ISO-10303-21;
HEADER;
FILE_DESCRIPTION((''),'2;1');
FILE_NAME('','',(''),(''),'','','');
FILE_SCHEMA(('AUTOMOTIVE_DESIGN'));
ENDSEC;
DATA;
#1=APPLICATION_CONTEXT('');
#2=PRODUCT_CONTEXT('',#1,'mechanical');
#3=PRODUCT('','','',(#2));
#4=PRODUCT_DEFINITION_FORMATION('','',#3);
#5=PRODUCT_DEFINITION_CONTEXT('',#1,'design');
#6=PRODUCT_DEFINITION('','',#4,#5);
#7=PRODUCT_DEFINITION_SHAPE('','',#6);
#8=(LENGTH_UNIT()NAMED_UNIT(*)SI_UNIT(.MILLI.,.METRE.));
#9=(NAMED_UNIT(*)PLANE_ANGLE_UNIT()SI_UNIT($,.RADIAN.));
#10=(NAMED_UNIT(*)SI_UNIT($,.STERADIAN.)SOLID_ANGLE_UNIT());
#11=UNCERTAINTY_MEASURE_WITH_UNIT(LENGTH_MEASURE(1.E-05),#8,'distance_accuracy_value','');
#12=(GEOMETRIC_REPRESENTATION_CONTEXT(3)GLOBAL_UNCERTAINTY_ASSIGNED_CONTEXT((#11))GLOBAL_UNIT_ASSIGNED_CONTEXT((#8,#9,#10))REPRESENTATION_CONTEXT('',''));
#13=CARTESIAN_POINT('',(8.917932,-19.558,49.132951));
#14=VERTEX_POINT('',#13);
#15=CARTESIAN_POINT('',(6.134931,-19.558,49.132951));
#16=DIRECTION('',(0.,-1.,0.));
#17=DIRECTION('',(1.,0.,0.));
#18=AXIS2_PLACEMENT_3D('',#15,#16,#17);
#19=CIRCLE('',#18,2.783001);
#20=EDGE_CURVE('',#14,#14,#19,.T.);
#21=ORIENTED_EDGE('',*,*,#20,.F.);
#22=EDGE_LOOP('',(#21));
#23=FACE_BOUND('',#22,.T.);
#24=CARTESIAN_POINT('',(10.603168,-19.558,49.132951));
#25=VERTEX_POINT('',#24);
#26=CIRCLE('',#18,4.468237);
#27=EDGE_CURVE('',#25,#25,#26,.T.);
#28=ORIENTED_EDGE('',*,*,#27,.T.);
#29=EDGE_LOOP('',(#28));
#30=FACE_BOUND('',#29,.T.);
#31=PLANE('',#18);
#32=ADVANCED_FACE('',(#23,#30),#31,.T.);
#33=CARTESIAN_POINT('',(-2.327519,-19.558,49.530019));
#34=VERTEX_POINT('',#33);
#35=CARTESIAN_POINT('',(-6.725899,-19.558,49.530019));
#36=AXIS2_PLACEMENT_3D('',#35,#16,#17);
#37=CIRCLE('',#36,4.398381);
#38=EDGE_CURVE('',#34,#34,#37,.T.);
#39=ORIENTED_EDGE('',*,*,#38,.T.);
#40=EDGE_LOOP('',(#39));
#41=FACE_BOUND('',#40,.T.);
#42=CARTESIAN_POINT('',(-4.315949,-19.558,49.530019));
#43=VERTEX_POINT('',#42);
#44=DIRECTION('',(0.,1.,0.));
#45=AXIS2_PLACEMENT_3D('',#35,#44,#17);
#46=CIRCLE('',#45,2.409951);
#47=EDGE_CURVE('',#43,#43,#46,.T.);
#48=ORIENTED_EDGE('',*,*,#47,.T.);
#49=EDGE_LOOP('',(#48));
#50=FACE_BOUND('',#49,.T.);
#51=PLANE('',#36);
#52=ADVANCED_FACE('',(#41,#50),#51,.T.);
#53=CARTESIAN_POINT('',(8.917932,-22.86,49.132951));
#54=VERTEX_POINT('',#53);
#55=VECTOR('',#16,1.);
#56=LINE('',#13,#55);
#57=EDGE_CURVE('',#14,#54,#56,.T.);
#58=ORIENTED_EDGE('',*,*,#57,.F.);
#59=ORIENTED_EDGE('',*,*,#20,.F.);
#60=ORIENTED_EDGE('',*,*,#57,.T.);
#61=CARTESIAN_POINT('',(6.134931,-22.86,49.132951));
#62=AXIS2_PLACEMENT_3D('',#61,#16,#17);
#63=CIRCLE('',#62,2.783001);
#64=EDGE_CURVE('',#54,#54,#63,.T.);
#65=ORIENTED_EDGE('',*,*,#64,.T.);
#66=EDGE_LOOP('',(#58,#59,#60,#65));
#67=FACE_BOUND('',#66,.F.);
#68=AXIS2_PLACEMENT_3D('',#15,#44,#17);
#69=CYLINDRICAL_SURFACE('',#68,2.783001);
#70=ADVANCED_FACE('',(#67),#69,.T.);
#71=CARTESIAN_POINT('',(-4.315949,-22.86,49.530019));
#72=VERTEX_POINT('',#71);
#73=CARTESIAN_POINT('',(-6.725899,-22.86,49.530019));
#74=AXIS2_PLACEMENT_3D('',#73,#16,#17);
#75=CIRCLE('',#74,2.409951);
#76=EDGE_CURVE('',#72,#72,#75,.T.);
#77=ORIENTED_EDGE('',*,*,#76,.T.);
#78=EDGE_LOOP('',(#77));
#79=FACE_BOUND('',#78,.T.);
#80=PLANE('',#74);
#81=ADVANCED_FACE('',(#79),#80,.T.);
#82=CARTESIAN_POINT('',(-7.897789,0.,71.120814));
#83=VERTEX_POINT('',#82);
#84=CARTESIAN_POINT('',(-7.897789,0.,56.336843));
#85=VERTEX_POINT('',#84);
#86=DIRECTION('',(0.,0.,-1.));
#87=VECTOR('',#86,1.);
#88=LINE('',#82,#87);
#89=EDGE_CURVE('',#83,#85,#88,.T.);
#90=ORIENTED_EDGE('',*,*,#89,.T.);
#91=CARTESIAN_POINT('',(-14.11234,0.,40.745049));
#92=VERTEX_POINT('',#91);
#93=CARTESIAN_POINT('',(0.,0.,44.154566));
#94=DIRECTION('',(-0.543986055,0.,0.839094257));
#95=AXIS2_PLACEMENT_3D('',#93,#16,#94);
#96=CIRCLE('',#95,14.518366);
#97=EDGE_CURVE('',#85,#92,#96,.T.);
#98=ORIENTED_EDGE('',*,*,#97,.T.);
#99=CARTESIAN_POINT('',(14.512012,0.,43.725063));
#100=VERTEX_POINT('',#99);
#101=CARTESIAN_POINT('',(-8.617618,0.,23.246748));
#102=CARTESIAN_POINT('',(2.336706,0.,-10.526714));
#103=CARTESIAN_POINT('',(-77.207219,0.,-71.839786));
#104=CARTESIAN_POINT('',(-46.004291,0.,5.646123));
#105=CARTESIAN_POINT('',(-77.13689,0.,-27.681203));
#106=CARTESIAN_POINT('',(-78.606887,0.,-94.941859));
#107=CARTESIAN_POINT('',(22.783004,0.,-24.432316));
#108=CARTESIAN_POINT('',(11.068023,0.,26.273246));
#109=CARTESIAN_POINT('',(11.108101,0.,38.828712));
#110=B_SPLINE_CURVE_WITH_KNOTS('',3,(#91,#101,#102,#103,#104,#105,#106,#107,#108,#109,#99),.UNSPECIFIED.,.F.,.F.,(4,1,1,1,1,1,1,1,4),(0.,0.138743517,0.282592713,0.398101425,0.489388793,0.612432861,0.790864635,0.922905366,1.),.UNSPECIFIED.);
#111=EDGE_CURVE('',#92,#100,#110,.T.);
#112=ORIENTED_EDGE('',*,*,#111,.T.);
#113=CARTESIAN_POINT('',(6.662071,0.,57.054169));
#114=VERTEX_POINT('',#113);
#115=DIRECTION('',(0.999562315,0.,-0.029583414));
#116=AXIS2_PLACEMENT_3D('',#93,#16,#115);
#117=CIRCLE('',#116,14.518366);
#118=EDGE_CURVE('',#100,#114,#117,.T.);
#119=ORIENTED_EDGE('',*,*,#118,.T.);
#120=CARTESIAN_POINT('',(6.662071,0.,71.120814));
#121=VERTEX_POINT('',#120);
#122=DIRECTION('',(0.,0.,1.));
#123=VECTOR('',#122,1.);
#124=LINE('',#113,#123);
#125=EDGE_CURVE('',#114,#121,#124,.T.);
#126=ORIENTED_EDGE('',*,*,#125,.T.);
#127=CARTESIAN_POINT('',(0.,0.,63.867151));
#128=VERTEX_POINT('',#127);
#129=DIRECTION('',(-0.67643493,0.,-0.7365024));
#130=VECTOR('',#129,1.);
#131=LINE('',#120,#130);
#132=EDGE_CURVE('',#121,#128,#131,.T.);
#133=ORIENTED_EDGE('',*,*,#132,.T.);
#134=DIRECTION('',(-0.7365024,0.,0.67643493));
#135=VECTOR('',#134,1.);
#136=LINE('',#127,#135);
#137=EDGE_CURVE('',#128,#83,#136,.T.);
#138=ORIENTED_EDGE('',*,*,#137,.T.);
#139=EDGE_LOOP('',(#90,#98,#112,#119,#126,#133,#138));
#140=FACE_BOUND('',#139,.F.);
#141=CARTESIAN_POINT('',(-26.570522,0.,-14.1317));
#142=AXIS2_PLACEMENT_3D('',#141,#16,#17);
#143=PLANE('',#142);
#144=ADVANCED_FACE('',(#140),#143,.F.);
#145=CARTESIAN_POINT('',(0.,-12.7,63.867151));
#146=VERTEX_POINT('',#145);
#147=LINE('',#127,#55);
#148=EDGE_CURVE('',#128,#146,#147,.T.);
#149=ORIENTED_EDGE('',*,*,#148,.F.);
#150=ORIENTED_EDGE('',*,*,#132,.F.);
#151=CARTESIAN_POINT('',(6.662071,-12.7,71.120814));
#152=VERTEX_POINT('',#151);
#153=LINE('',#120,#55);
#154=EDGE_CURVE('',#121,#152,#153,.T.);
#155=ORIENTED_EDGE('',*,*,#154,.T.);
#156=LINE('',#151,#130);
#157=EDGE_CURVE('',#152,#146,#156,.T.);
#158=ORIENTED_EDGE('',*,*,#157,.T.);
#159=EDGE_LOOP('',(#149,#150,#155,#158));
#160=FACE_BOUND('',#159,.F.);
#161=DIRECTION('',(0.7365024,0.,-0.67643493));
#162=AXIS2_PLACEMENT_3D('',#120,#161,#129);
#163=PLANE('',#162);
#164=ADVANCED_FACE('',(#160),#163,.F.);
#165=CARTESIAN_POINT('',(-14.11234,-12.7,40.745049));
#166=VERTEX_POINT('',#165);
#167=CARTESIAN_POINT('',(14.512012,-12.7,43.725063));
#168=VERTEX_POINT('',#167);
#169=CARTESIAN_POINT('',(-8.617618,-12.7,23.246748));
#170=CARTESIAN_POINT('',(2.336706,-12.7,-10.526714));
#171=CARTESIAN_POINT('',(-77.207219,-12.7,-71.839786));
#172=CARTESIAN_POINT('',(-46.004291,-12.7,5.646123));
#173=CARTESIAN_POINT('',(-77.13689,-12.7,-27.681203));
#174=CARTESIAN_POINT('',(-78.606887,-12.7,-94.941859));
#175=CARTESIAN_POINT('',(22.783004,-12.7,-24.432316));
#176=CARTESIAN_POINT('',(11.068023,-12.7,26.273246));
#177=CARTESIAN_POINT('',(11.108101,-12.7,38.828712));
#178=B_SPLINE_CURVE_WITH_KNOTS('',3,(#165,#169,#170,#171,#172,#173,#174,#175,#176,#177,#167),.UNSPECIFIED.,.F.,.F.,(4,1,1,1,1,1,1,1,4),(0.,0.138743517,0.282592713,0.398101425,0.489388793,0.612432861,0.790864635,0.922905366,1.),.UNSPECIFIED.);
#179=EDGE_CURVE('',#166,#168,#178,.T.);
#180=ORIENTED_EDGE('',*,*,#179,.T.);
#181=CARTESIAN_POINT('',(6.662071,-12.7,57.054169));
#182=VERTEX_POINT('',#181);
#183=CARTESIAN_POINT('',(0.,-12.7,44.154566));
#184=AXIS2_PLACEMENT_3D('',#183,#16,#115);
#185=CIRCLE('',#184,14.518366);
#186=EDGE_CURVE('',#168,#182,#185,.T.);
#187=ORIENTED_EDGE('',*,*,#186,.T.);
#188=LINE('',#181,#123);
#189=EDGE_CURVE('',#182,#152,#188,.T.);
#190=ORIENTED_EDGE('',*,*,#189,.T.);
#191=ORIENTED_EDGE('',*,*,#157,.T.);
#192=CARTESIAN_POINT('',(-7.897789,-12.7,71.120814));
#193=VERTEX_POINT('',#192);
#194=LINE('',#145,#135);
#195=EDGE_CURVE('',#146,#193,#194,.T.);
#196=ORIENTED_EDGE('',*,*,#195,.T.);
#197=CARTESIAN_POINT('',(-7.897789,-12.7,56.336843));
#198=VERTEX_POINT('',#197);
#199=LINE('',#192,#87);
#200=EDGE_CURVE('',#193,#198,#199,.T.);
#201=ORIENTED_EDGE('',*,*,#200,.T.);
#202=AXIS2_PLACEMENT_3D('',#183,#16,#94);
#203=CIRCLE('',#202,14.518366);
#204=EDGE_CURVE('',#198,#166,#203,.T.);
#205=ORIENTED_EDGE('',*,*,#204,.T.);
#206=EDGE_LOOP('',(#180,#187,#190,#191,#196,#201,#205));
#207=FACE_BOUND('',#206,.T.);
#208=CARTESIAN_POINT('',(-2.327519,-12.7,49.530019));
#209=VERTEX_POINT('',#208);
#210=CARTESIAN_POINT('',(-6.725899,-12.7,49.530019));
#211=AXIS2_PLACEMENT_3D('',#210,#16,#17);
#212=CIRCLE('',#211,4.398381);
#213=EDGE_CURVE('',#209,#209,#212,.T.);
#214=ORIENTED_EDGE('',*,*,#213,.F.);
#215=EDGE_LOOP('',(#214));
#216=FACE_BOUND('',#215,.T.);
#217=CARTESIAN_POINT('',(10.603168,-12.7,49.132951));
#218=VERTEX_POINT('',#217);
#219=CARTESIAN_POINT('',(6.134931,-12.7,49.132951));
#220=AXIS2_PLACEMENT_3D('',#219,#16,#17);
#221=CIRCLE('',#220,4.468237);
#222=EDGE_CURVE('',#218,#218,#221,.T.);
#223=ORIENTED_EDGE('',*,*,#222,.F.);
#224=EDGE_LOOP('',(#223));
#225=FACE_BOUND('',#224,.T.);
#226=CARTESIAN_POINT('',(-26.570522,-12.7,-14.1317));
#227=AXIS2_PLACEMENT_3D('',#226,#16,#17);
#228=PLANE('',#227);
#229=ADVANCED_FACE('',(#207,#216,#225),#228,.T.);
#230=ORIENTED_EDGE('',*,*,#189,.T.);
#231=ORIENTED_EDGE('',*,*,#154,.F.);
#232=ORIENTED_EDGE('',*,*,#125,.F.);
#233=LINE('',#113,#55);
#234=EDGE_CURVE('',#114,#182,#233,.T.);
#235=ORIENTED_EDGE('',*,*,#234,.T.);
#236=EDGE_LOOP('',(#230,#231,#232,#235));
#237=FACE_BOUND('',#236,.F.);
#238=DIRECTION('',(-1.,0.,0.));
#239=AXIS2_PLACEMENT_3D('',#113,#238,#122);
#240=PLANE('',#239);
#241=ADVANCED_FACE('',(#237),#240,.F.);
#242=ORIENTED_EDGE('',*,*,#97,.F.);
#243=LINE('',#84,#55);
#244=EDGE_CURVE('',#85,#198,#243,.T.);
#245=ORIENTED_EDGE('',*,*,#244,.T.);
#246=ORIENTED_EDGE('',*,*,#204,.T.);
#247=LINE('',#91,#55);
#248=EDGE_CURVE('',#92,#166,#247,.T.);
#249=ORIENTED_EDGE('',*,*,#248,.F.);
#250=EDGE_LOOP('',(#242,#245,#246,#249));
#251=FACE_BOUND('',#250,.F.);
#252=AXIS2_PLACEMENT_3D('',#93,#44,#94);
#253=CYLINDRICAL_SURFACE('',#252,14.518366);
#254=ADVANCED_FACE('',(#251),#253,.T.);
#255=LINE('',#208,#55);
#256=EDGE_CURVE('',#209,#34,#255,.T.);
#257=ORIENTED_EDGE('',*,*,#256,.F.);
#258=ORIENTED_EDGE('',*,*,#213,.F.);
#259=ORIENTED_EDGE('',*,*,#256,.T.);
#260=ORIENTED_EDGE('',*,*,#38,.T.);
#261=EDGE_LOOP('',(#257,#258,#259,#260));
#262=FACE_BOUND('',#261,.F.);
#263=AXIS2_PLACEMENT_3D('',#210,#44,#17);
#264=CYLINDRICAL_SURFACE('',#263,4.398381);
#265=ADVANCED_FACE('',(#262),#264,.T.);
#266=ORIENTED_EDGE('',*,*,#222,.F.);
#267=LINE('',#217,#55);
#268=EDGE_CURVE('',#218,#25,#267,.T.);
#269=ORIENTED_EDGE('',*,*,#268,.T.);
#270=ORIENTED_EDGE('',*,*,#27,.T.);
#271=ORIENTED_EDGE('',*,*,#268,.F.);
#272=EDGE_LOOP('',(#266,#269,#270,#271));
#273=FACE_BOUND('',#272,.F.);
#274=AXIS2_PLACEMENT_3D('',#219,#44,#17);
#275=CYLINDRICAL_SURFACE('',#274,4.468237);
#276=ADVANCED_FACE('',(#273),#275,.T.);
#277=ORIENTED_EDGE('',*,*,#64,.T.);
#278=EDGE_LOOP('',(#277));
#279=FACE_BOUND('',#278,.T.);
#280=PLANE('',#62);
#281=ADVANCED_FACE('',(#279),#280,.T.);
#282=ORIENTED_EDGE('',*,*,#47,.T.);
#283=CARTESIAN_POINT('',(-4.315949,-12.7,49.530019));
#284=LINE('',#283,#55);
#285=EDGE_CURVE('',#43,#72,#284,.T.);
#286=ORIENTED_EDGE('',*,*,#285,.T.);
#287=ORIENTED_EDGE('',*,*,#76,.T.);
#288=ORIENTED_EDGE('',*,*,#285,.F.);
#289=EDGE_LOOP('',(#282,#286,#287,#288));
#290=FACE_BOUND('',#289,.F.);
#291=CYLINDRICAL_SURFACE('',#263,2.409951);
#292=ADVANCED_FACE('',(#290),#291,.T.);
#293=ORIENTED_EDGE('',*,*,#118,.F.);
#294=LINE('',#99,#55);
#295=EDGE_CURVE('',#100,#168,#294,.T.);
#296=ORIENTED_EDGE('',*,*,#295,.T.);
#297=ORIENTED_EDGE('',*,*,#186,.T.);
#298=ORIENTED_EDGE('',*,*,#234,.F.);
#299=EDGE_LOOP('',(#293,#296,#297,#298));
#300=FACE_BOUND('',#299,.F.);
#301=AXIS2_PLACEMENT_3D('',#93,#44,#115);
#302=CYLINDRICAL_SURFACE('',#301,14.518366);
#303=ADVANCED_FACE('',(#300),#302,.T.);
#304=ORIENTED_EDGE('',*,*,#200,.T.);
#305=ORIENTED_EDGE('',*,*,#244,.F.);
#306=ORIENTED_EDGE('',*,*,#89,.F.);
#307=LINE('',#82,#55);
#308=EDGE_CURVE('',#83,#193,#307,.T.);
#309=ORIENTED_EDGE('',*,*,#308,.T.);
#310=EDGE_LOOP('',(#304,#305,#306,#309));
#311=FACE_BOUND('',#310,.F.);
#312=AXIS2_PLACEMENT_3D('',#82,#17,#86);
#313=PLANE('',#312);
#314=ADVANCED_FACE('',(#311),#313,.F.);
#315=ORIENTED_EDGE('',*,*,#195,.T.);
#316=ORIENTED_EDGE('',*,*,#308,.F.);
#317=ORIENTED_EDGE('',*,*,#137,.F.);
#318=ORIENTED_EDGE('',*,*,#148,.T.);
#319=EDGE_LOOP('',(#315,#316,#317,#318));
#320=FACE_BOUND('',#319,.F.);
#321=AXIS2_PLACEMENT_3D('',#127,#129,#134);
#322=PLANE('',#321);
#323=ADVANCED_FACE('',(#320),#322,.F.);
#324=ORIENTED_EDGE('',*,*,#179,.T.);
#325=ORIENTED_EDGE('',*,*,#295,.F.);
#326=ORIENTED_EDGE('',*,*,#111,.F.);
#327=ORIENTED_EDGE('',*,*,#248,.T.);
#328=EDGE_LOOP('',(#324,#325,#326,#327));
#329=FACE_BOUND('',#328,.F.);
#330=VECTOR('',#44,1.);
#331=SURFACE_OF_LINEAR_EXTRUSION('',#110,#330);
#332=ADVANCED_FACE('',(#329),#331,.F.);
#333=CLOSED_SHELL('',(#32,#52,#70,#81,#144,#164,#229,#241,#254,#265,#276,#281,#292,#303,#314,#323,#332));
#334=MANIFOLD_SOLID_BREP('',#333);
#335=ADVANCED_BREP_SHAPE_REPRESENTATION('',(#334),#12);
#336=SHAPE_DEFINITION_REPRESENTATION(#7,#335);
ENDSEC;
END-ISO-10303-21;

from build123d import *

# Parameters (mm, degrees)
F1_DEPTH = 12.7
F2_R     = 4.3983805948
F2_R_2   = 4.4682374121
F3_DEPTH = 6.858
F4_R     = 2.4099506664
F5_DEPTH = 10.16
F6_R     = 2.7830013039
F7_DEPTH = 3.302


with BuildPart() as f1:
    # F0 (on Front) → F1 (new body)
    with BuildSketch(Plane.XZ):
        with BuildLine():
            add(Edge.make_bspline(
                [(-14.1123402961, 40.7450486955), (-8.6176180648, 23.2467480327), (2.3367063955, -10.5267137688), (-77.2072192986, -71.8397860181), (-46.0042906937, 5.6461227016), (-77.1368900076, -27.6812034156), (-78.6068874528, -94.9418587958), (22.7830039914, -24.4323157197), (11.0680229885, 26.273246227), (11.1081013523, 38.8287120225), (14.5120116698, 43.7250629438)],
                knots=[0, 0, 0, 0, 0.1387435166, 0.282592713, 0.3981014252, 0.4893887926, 0.6124328615, 0.7908646348, 0.9229053657, 1, 1, 1, 1], degree=3))
            ThreePointArc((14.5120116698, 43.7250629438), (12.5100643018, 51.5221465618), (6.6620705773, 57.054169303))
            ThreePointArc((6.6620705773, 57.054169303), (-0.7144150995, 58.6553439142), (-7.8977887207, 56.3368434303))
            ThreePointArc((-7.8977887207, 56.3368434303), (-13.4865659305, 49.5300187665), (-14.1123402961, 40.7450486955))
        make_face()
        with BuildLine():
            ThreePointArc((-7.8977887207, 56.3368434303), (-0.7144150995, 58.6553439142), (6.6620705773, 57.054169303))
            Line((6.6620705773, 57.054169303), (6.6620705773, 71.1208136662))
            Line((6.6620705773, 71.1208136662), (0, 63.867150739))
            Line((0, 63.867150739), (-7.8977887207, 71.1208136662))
            Line((-7.8977887207, 71.1208136662), (-7.8977887207, 56.3368434303))
        make_face()
    extrude(amount=F1_DEPTH)

    # F2 (on face) → F3 (join)
    with BuildSketch(Plane.XZ.offset(12.7)):
        with Locations((-6.7258994095, 49.5300187665)):
            Circle(F2_R)
        with Locations((6.1349305324, 49.132950604)):
            Circle(F2_R_2)
    extrude(amount=F3_DEPTH)

    # F4 (on face) → F5 (join)
    with BuildSketch(Plane.XZ.offset(12.7)):
        with Locations((-6.7258994095, 49.5300187665)):
            Circle(F4_R)
    extrude(amount=F5_DEPTH)

    # F6 (on face) → F7 (join)
    with BuildSketch(Plane.XZ.offset(19.558)):
        with Locations((6.1349305324, 49.132950604)):
            Circle(F6_R)
    extrude(amount=F7_DEPTH)


solid = f1.part
